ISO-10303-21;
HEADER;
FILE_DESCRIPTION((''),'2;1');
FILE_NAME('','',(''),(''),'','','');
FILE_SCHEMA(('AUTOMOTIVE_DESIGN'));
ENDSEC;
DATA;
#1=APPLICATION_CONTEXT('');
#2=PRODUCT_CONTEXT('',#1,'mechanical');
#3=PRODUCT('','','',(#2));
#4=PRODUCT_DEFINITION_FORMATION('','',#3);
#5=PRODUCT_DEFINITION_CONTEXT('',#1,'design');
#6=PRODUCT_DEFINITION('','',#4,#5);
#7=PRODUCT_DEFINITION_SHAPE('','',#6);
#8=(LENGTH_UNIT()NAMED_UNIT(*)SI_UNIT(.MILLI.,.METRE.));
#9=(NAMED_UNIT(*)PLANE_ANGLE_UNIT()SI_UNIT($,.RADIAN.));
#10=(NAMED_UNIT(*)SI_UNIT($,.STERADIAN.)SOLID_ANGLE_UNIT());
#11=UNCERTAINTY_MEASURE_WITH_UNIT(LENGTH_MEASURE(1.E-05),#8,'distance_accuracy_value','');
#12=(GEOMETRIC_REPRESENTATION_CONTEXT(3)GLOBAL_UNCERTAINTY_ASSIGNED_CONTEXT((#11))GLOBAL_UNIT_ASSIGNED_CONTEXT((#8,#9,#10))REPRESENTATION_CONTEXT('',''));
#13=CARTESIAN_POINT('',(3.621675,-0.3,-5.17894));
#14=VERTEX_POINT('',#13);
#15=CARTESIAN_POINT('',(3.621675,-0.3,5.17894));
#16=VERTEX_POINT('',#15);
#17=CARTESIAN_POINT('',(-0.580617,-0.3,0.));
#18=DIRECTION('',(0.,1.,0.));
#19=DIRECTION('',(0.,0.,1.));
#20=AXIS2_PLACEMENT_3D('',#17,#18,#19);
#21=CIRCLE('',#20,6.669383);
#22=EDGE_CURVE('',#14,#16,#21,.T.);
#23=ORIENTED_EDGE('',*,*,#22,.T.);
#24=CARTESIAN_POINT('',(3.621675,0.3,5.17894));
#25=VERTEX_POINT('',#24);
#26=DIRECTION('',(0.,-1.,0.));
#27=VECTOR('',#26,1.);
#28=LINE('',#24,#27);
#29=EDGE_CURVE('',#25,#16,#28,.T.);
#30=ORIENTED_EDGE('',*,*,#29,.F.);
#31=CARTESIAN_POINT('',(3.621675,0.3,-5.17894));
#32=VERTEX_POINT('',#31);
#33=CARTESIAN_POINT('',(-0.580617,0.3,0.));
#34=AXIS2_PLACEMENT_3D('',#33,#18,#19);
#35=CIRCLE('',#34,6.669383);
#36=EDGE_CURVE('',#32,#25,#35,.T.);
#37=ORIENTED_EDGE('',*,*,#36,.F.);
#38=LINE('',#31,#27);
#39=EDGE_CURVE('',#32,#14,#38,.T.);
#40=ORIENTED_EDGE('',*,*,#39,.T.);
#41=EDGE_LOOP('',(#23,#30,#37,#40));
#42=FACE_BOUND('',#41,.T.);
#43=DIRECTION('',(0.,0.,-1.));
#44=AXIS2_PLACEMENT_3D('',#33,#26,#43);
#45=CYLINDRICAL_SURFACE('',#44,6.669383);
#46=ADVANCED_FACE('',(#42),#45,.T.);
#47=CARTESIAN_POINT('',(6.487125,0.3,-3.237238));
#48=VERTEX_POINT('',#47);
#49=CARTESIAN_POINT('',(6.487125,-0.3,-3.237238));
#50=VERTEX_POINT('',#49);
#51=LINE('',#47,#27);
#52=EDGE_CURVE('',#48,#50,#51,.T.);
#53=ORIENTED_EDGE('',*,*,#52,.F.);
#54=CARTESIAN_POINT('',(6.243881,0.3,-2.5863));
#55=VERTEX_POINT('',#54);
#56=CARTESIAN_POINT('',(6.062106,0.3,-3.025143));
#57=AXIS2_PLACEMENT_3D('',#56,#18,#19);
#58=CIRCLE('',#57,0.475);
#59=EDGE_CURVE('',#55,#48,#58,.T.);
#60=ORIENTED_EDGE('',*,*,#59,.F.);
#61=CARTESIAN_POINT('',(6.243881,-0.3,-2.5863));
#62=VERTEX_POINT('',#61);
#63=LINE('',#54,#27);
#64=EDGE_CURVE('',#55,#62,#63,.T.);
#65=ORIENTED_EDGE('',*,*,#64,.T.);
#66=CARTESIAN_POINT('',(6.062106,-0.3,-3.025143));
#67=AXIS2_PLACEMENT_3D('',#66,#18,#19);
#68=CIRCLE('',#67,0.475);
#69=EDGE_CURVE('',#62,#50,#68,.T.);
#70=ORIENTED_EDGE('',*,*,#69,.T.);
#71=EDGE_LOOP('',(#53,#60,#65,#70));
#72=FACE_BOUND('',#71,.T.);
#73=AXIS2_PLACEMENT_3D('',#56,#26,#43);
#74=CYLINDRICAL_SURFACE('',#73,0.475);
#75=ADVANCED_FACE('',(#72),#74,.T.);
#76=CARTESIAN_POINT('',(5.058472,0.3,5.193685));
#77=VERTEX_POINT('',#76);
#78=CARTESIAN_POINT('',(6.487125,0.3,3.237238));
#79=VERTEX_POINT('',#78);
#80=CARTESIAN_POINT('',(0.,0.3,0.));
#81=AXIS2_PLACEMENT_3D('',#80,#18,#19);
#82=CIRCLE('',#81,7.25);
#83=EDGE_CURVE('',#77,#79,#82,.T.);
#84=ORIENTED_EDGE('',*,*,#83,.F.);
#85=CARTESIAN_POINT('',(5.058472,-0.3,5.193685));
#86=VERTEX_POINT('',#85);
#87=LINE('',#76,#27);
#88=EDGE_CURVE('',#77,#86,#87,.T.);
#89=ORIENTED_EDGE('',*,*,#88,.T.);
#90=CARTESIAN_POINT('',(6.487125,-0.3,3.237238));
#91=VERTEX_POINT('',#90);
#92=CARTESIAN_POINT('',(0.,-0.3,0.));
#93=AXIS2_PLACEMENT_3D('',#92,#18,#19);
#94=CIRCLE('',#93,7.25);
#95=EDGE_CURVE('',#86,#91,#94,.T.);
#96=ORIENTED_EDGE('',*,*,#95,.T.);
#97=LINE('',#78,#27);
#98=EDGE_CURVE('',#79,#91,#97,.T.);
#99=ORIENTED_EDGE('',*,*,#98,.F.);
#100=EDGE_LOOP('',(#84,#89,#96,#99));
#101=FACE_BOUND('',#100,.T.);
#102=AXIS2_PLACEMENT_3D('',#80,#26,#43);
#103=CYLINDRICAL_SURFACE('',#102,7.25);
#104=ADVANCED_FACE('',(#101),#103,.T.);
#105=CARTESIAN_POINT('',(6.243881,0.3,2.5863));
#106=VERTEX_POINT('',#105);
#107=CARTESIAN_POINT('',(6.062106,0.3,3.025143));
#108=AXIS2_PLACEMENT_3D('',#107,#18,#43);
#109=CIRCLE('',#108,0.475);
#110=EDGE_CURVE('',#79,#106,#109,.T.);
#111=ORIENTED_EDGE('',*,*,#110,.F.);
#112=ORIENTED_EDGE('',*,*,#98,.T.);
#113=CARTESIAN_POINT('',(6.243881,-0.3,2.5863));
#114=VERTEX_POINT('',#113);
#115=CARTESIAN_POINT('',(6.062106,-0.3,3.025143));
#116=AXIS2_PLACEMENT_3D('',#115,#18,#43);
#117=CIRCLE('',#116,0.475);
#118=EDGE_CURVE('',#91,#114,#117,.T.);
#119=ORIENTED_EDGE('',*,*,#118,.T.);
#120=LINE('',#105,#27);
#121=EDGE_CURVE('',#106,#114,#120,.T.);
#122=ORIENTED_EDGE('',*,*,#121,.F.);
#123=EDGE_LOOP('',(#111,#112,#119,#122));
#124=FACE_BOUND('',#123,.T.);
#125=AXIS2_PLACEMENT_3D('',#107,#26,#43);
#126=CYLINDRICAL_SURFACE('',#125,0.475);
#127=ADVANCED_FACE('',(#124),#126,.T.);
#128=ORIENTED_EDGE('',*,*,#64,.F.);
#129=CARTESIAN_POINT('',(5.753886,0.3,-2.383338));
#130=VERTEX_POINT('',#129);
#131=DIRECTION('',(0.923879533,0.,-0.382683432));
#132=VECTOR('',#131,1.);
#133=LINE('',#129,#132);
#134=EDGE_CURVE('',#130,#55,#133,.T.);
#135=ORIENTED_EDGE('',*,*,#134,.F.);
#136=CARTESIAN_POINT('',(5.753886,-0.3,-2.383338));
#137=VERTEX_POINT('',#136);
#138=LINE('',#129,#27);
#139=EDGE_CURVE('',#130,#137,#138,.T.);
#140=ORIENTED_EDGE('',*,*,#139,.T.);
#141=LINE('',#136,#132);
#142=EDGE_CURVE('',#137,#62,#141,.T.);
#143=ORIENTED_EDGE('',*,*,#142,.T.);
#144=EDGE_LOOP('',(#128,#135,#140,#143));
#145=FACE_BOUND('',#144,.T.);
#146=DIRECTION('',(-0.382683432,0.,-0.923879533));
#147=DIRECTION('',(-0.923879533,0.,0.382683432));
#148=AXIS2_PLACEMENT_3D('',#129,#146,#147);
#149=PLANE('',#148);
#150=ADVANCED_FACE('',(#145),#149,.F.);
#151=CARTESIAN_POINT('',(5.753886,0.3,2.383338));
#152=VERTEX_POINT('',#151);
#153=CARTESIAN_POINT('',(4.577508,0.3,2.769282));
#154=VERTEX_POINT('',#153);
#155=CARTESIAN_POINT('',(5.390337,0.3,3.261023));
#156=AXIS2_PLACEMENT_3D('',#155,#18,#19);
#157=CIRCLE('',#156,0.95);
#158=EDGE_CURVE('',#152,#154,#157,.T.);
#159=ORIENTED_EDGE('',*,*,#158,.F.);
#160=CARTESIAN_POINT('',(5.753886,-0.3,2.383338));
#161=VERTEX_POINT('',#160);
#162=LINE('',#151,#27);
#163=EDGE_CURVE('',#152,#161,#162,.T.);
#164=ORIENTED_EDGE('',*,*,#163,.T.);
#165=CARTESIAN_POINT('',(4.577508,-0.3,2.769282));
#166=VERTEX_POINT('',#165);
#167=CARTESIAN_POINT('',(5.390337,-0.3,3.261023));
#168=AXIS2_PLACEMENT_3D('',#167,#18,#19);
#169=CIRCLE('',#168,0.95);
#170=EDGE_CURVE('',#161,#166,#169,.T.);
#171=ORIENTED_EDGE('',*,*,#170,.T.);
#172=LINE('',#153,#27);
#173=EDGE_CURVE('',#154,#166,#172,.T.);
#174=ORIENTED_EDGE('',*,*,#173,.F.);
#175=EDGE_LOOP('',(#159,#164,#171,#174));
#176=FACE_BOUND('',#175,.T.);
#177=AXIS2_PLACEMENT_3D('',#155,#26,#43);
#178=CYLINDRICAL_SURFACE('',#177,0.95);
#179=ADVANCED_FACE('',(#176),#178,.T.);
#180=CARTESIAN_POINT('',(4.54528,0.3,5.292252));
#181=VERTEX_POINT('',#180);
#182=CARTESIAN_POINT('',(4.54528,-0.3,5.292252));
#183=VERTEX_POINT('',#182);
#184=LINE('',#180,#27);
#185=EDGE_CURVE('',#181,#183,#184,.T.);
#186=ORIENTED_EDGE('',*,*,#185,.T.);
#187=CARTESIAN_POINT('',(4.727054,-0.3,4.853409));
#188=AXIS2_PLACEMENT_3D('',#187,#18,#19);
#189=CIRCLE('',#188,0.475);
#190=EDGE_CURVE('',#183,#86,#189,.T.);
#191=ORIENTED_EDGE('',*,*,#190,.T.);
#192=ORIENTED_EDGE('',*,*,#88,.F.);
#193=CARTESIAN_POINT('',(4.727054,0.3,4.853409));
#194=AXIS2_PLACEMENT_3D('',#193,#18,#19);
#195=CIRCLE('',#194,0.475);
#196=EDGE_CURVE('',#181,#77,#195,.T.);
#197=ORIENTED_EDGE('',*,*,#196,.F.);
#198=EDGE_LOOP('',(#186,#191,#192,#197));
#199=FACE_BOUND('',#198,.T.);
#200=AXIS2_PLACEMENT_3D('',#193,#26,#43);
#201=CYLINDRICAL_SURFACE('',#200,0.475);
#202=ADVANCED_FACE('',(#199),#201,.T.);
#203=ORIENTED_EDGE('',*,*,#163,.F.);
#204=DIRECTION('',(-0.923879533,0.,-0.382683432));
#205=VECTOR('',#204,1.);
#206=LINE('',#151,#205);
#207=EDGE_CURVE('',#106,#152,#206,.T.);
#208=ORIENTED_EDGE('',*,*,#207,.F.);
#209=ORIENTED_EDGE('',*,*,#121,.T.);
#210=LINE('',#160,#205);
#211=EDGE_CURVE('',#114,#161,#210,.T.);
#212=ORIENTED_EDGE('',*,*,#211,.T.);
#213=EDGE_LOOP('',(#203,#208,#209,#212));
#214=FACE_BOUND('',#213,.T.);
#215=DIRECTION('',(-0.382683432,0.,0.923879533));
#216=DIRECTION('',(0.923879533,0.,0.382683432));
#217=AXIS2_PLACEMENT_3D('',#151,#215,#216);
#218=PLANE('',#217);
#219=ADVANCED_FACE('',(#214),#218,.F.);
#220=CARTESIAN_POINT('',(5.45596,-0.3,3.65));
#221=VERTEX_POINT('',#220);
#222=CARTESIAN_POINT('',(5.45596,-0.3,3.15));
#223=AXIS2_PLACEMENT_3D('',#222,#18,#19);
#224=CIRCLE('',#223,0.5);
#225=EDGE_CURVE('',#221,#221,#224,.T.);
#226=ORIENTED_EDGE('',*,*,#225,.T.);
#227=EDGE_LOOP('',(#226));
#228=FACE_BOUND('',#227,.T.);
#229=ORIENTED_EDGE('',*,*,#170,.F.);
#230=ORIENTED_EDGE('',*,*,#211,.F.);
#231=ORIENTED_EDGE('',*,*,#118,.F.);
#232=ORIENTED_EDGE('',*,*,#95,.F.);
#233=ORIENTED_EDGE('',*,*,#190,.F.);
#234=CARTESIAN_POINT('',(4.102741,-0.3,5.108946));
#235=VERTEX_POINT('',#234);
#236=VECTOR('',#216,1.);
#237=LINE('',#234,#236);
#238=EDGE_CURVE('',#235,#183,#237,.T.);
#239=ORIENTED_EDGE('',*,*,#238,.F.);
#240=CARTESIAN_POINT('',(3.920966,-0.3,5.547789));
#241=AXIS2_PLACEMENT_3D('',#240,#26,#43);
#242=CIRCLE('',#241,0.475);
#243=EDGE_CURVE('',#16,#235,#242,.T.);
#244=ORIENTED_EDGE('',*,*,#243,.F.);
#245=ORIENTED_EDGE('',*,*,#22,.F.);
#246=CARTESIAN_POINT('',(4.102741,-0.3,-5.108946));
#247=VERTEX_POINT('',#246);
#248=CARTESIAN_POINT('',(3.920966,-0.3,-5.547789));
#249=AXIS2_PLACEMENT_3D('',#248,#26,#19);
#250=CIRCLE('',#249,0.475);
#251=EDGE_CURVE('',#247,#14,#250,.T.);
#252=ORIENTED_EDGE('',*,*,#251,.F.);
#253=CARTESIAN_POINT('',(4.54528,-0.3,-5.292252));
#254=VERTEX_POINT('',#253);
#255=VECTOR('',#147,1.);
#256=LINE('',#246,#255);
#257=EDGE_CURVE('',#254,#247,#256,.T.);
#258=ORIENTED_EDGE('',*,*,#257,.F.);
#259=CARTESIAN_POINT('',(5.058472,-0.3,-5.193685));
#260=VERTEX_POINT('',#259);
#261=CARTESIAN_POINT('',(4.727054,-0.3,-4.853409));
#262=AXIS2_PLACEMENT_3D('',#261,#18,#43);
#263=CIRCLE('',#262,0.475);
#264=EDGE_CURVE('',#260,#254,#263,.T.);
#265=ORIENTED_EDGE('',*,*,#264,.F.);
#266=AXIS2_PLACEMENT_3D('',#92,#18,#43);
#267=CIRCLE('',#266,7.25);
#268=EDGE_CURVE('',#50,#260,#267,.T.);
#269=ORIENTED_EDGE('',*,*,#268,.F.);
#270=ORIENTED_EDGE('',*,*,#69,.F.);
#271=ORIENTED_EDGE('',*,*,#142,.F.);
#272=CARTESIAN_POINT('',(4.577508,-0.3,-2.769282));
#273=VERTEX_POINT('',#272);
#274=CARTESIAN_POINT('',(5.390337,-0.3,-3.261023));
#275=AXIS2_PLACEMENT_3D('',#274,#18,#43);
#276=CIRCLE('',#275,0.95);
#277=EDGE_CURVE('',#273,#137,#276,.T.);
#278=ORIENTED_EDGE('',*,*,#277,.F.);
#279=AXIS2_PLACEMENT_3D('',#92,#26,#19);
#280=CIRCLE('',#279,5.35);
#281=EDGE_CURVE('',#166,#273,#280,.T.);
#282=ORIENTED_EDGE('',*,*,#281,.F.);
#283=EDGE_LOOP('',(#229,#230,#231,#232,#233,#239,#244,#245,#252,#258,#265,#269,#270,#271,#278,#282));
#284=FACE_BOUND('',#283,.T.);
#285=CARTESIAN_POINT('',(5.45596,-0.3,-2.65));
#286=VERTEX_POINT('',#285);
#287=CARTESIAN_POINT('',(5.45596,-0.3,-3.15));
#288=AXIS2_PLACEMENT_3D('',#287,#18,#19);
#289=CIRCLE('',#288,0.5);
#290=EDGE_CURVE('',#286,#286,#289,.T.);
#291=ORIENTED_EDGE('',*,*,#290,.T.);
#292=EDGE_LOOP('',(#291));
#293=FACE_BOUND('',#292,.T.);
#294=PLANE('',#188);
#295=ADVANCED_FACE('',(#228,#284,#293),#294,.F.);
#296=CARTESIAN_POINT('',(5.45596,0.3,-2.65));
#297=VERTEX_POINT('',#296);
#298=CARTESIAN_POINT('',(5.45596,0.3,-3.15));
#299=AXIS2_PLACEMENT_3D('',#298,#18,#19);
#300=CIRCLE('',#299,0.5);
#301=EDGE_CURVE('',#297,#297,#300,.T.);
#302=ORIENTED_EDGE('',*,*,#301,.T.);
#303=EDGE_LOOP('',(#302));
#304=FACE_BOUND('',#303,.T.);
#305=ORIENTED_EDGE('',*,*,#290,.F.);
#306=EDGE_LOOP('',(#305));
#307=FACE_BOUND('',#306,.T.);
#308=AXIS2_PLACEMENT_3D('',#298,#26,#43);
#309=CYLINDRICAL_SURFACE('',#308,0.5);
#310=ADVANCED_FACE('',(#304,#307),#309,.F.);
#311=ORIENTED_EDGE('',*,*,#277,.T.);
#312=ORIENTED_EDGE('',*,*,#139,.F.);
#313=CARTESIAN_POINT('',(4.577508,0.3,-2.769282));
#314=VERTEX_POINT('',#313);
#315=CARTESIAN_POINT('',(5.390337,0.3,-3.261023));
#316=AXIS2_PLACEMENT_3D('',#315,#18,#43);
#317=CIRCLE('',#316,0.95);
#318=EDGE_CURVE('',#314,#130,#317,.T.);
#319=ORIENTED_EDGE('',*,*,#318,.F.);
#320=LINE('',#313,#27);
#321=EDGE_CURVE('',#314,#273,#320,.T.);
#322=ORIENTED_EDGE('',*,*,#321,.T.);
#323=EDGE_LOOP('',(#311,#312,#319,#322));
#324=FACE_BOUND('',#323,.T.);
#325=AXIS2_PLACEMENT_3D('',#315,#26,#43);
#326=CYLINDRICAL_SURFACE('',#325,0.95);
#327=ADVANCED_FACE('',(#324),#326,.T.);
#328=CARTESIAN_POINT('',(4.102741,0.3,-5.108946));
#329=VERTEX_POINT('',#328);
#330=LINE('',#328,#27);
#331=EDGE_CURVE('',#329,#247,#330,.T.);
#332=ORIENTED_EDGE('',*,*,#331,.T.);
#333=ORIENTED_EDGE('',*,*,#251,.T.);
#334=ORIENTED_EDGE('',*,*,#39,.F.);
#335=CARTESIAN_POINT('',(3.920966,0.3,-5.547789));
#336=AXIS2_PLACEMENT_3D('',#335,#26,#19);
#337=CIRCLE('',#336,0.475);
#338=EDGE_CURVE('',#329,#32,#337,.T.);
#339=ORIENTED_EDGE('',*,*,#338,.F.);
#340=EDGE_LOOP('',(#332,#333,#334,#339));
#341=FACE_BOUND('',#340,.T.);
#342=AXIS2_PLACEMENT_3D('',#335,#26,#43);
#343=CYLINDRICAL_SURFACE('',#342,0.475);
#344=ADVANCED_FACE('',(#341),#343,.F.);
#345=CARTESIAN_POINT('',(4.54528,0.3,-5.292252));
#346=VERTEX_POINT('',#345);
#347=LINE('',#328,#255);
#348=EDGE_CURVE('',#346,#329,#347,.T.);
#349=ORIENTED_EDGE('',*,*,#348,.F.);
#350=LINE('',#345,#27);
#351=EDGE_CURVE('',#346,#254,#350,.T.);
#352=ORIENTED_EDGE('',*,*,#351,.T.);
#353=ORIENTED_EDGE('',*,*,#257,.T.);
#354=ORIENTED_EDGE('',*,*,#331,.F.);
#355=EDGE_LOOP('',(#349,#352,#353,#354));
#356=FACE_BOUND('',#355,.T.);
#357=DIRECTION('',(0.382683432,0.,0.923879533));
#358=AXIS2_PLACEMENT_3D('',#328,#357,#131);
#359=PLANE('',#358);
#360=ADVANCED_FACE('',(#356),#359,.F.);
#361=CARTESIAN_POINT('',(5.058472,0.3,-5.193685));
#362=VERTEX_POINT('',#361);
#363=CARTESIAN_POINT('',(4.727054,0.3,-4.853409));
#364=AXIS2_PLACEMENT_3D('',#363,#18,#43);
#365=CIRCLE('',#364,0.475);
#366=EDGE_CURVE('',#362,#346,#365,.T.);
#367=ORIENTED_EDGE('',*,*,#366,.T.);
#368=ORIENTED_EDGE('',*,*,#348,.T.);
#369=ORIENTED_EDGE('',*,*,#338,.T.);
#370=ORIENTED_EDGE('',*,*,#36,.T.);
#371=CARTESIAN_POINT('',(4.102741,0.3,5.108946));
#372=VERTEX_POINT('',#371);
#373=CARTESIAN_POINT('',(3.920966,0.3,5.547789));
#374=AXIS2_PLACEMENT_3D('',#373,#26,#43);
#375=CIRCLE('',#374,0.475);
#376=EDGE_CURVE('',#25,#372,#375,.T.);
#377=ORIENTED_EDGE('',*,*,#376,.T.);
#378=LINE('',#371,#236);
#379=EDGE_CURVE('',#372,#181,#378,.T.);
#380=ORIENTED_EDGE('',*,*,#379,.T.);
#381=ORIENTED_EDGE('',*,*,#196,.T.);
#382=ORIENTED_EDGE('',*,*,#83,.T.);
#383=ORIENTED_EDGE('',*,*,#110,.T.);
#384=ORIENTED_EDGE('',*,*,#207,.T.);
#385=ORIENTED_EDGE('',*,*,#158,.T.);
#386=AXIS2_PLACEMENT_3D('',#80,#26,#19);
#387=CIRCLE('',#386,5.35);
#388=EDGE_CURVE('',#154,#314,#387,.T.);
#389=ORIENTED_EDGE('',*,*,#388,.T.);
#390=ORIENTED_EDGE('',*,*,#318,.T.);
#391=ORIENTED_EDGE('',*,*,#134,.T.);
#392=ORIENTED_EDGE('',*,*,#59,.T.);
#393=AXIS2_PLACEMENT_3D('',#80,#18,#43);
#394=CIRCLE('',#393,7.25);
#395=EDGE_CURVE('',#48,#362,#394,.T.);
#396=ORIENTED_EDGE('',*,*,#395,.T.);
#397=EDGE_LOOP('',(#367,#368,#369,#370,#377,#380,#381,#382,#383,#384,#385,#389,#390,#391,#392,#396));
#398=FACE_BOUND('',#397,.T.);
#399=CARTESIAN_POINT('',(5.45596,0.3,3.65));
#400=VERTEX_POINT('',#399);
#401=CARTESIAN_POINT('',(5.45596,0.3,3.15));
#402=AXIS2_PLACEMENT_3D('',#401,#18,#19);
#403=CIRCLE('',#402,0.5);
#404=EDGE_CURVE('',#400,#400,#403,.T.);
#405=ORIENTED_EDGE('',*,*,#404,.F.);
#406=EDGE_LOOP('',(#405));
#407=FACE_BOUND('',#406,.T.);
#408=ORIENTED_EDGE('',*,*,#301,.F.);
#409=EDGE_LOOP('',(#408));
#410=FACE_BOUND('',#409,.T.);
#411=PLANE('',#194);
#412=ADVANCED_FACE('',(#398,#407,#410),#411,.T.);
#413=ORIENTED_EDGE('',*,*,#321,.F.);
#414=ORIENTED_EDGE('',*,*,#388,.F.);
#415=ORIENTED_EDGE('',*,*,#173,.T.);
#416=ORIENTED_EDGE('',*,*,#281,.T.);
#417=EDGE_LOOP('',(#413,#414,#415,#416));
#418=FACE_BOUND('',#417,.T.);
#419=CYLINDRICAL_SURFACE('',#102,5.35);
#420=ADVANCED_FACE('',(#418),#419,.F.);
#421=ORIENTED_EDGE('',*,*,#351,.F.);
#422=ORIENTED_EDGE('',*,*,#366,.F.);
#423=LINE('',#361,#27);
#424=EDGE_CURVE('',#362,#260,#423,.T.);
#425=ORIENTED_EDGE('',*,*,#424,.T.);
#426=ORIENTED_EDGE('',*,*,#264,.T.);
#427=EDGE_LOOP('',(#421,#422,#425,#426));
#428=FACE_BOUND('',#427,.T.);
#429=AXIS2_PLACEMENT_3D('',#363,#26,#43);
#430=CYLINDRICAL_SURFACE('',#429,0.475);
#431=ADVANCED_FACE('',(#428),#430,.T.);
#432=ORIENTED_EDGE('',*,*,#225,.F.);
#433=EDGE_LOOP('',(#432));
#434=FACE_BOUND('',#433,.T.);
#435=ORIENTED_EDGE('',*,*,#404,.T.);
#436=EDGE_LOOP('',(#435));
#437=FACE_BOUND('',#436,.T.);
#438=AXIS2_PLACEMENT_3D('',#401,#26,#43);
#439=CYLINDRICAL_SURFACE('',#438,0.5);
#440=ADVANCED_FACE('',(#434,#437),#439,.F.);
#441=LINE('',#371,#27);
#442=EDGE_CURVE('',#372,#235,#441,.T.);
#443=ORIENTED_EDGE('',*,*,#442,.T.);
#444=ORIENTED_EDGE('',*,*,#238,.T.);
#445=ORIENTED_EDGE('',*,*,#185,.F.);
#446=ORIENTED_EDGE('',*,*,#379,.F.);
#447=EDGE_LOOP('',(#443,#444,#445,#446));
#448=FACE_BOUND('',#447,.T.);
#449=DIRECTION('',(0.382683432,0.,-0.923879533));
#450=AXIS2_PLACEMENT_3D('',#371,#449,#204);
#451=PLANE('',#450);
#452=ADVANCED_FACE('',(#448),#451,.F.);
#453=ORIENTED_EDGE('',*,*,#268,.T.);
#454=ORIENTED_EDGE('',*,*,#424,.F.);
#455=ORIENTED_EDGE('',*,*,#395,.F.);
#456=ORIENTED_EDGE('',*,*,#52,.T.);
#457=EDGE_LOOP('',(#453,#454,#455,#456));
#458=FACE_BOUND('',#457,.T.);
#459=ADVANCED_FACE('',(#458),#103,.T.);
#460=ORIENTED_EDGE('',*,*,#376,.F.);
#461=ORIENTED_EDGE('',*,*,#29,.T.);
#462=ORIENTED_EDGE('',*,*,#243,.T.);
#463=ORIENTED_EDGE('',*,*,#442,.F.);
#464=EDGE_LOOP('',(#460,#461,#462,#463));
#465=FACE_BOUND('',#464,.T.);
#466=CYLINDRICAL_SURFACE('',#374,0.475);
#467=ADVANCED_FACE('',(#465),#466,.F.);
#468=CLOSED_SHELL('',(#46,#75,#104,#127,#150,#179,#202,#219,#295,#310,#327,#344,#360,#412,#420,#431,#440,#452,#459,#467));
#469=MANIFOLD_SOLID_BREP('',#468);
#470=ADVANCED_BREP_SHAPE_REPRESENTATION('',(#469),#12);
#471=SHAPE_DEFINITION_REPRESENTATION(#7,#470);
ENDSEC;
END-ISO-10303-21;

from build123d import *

# Parameters (mm, degrees)
BOSS_EXTRUDE1_DEPTH      = 0.3
BOSS_EXTRUDE1_DEPTH_BACK = 0.3
SKETCH3_R                = 0.5


with BuildPart() as part:
    # Sketch3 → Boss-Extrude1 (new, two sides: drawn at the far end of the back side and taken through both)
    with BuildSketch(Plane(origin=(0, 0, 0), x_dir=(1, 0, 0), z_dir=(0, 1, 0)).offset(-BOSS_EXTRUDE1_DEPTH_BACK)):
        with BuildLine():
            Line((4.102740922, 5.108946364), (4.545279847, 5.292251988))
            ThreePointArc((4.545279847, 5.292251988), (4.816648416, 5.319883139), (5.058471581, 5.193685133))
            ThreePointArc((5.058471581, 5.193685133), (5.85509364, 4.275555925), (6.487124998, 3.237237906))
            ThreePointArc((6.487124998, 3.237237906), (6.507055281, 2.8588735), (6.243881094, 2.586300231))
            Line((6.243881094, 2.586300231), (5.753885829, 2.383337547))
            ThreePointArc((5.753885829, 2.383337547), (5.094192763, 2.358361014), (4.577508038, 2.769281524))
            ThreePointArc((4.577508038, 2.769281524), (-5.35, 0), (4.577508038, -2.769281524))
            ThreePointArc((4.577508038, -2.769281524), (5.094192763, -2.358361014), (5.753885829, -2.383337547))
            Line((5.753885829, -2.383337547), (6.243881094, -2.586300231))
            ThreePointArc((6.243881094, -2.586300231), (6.507055281, -2.8588735), (6.487124998, -3.237237906))
            ThreePointArc((6.487124998, -3.237237906), (5.85509364, -4.275555925), (5.058471581, -5.193685133))
            ThreePointArc((5.058471581, -5.193685133), (4.816648416, -5.319883139), (4.545279847, -5.292251988))
            Line((4.545279847, -5.292251988), (4.102740922, -5.108946364))
            ThreePointArc((4.102740922, -5.108946364), (3.852575362, -5.07773842), (3.621674975, -5.178939975))
            ThreePointArc((3.621674975, -5.178939975), (-7.25, 0), (3.621674975, 5.178939975))
            ThreePointArc((3.621674975, 5.178939975), (3.852575362, 5.07773842), (4.102740922, 5.108946364))
        make_face()
        with Locations(Location((5.455960044, -3.15, 0), (0, 0, 270))):
            Circle(SKETCH3_R, mode=Mode.SUBTRACT)
        with Locations(Location((5.455960044, 3.15, 0), (0, 0, 270))):
            Circle(SKETCH3_R, mode=Mode.SUBTRACT)
    extrude(amount=BOSS_EXTRUDE1_DEPTH + BOSS_EXTRUDE1_DEPTH_BACK)


solid = part.part
